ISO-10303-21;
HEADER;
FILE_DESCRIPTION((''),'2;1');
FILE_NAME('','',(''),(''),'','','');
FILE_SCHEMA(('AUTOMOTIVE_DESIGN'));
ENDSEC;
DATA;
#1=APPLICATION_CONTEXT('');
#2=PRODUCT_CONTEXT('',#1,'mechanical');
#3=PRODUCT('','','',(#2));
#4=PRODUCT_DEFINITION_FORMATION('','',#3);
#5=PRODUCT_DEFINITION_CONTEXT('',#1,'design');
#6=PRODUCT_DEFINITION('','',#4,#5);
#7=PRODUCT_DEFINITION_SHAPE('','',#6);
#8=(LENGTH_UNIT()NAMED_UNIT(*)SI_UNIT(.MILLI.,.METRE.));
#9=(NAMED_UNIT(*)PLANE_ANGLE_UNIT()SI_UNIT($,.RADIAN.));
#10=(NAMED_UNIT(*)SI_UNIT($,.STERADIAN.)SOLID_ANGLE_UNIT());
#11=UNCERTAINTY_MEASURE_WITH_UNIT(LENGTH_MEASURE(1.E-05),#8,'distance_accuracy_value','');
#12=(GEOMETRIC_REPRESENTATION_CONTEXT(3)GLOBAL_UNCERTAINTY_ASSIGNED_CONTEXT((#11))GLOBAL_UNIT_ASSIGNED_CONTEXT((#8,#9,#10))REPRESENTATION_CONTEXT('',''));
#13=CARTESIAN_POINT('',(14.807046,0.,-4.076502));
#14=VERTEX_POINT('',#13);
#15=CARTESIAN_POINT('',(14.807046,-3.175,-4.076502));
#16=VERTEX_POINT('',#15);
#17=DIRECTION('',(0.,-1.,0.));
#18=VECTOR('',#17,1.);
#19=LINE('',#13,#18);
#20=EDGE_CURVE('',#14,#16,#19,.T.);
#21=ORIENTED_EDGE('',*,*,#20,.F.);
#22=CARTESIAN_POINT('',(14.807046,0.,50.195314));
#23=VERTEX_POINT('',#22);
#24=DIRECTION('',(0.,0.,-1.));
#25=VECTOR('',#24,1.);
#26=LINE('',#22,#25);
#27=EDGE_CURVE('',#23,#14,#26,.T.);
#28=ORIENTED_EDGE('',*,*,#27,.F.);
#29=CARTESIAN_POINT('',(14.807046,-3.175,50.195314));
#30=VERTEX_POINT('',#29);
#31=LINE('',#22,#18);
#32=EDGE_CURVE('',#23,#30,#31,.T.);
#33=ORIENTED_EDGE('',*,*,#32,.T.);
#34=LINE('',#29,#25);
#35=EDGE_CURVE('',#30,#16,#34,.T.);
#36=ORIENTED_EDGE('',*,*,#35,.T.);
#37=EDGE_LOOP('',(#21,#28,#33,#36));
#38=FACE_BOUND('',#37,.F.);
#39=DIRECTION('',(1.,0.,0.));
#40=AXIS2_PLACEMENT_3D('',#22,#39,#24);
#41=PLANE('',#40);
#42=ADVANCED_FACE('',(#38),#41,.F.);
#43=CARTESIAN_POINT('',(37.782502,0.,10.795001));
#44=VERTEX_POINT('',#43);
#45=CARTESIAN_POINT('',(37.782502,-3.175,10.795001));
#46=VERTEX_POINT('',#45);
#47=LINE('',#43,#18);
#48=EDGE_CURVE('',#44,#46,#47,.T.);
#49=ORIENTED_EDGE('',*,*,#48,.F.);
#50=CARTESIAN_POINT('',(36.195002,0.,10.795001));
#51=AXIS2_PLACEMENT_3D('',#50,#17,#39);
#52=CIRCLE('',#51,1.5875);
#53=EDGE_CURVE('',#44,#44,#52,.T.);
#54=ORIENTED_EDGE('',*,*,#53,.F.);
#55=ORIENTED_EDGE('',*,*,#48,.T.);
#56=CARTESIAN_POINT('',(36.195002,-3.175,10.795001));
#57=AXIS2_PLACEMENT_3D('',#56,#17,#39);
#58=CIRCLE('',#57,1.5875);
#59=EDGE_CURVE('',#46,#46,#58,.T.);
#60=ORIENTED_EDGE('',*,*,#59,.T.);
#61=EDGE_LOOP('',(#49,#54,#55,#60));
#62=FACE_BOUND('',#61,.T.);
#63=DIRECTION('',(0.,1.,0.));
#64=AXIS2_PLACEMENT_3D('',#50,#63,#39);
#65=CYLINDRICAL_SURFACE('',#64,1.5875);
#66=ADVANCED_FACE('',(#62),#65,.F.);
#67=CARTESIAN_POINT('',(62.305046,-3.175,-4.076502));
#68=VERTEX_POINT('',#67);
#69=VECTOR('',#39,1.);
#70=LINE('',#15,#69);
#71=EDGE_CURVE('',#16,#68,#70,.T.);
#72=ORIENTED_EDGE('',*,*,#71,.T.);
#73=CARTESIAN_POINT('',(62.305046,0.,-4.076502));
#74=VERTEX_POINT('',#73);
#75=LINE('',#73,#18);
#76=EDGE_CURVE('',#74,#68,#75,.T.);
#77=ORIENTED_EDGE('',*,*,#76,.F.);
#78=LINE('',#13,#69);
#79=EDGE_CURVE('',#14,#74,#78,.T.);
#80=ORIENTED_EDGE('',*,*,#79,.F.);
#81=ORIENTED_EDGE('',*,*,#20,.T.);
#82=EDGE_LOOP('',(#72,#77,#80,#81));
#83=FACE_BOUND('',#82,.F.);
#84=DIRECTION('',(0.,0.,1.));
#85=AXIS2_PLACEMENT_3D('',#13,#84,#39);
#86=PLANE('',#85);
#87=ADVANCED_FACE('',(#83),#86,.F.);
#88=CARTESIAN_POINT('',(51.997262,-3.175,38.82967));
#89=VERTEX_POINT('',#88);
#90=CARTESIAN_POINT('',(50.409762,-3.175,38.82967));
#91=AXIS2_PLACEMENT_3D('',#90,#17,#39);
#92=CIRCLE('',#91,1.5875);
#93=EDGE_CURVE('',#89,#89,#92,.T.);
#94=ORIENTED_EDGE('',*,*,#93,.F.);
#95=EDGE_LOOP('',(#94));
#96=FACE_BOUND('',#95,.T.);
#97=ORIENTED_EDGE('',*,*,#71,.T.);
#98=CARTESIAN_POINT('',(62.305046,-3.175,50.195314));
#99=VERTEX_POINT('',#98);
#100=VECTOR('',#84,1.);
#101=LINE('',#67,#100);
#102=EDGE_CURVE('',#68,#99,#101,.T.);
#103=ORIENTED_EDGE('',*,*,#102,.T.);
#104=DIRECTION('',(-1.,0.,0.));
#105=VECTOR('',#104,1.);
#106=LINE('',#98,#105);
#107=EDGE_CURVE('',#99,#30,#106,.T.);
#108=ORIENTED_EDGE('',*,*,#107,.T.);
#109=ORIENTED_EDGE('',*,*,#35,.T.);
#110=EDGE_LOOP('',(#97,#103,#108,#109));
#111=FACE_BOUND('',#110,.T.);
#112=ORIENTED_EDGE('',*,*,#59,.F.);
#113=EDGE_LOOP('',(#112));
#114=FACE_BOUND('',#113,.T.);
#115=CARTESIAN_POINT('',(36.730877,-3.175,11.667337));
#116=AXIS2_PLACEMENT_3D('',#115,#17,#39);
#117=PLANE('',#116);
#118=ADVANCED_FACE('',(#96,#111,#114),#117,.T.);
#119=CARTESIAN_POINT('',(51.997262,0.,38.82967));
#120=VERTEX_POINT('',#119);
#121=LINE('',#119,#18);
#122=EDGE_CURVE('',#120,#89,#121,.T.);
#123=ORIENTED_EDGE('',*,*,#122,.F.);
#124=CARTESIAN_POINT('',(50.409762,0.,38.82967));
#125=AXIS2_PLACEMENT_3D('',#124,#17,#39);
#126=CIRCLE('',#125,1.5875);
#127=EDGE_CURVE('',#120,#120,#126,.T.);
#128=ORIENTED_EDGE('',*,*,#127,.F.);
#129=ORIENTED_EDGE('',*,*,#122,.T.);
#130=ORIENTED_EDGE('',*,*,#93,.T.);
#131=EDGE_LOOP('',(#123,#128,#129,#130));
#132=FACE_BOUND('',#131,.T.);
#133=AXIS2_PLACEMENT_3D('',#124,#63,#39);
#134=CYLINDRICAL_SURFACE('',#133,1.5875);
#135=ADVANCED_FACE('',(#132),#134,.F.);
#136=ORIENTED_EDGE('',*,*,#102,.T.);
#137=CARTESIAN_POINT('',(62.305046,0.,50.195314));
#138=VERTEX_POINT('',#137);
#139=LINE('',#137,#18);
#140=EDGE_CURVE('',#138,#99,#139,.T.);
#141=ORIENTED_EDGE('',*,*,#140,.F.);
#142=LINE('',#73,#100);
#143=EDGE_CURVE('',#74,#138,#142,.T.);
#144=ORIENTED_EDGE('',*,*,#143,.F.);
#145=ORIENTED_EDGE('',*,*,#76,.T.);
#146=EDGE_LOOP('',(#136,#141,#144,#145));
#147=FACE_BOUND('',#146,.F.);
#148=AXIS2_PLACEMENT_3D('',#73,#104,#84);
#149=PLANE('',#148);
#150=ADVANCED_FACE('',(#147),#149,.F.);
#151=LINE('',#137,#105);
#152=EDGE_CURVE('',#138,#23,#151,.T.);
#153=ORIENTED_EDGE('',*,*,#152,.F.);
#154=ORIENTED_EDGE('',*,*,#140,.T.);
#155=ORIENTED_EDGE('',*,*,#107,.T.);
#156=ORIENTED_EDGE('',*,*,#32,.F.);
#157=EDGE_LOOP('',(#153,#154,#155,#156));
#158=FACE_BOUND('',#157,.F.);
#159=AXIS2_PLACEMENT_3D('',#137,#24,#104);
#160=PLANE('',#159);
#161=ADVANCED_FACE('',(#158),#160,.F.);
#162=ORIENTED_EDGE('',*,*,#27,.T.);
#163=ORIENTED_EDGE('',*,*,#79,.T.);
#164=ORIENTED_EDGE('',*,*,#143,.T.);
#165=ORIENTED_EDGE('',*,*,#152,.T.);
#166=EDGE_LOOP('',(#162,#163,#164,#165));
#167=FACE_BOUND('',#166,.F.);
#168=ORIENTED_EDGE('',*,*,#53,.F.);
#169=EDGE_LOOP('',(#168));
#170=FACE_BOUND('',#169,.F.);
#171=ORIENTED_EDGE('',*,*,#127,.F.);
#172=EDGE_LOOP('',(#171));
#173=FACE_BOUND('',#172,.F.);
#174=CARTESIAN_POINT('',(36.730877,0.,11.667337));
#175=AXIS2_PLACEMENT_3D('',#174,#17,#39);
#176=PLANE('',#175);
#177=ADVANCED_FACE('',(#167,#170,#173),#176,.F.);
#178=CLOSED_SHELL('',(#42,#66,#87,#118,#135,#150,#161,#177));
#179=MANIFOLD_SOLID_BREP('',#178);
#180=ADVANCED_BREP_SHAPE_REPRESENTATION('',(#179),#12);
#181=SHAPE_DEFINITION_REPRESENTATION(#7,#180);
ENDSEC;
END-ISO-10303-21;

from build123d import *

# Parameters (mm, degrees)
F0_R     = 1.5875
F1_DEPTH = 3.175


with BuildPart() as f1:
    # F0 (on Front) → F1 (new body)
    with BuildSketch(Plane.XZ):
        with BuildLine():
            ThreePointArc((56.832502, 10.795001), (53.780715, 21.595422), (45.527925, 29.201602))
            ThreePointArc((45.527925, 29.201602), (19.370967, 22.747333), (21.886096, -4.076502))
            Line((21.886096, -4.076502), (50.503909, -4.076502))
            ThreePointArc((50.503909, -4.076502), (55.184558, 2.713963), (56.832502, 10.795001))
        make_face()
        with Locations((36.195002, 10.795001)):
            Circle(F0_R, mode=Mode.SUBTRACT)
        with BuildLine():
            ThreePointArc((21.886096, -4.076502), (19.370967, 22.747333), (45.527925, 29.201602))
            ThreePointArc((45.527925, 29.201602), (53.780715, 21.595422), (56.832502, 10.795001))
            ThreePointArc((56.832502, 10.795001), (55.184558, 2.713963), (50.503909, -4.076502))
            Line((50.503909, -4.076502), (62.305046, -4.076502))
            Line((62.305046, -4.076502), (62.305046, 50.195314))
            Line((62.305046, 50.195314), (14.807046, 50.195314))
            Line((14.807046, 50.195314), (14.807046, -4.076502))
            Line((14.807046, -4.076502), (21.886096, -4.076502))
        make_face()
        with BuildLine():
            ThreePointArc((45.527925, 29.201602), (44.760311, 48.028351), (61.204762, 38.82967))
            ThreePointArc((61.204762, 38.82967), (56.059213, 29.630989), (45.527925, 29.201602))
        make_face(mode=Mode.SUBTRACT)
        with BuildLine():
            ThreePointArc((45.527925, 29.201602), (56.059213, 29.630989), (61.204762, 38.82967))
            ThreePointArc((61.204762, 38.82967), (44.760311, 48.028351), (45.527925, 29.201602))
        make_face()
        with Locations((50.409762, 38.82967)):
            Circle(F0_R, mode=Mode.SUBTRACT)
    extrude(amount=F1_DEPTH)


solid = f1.part
